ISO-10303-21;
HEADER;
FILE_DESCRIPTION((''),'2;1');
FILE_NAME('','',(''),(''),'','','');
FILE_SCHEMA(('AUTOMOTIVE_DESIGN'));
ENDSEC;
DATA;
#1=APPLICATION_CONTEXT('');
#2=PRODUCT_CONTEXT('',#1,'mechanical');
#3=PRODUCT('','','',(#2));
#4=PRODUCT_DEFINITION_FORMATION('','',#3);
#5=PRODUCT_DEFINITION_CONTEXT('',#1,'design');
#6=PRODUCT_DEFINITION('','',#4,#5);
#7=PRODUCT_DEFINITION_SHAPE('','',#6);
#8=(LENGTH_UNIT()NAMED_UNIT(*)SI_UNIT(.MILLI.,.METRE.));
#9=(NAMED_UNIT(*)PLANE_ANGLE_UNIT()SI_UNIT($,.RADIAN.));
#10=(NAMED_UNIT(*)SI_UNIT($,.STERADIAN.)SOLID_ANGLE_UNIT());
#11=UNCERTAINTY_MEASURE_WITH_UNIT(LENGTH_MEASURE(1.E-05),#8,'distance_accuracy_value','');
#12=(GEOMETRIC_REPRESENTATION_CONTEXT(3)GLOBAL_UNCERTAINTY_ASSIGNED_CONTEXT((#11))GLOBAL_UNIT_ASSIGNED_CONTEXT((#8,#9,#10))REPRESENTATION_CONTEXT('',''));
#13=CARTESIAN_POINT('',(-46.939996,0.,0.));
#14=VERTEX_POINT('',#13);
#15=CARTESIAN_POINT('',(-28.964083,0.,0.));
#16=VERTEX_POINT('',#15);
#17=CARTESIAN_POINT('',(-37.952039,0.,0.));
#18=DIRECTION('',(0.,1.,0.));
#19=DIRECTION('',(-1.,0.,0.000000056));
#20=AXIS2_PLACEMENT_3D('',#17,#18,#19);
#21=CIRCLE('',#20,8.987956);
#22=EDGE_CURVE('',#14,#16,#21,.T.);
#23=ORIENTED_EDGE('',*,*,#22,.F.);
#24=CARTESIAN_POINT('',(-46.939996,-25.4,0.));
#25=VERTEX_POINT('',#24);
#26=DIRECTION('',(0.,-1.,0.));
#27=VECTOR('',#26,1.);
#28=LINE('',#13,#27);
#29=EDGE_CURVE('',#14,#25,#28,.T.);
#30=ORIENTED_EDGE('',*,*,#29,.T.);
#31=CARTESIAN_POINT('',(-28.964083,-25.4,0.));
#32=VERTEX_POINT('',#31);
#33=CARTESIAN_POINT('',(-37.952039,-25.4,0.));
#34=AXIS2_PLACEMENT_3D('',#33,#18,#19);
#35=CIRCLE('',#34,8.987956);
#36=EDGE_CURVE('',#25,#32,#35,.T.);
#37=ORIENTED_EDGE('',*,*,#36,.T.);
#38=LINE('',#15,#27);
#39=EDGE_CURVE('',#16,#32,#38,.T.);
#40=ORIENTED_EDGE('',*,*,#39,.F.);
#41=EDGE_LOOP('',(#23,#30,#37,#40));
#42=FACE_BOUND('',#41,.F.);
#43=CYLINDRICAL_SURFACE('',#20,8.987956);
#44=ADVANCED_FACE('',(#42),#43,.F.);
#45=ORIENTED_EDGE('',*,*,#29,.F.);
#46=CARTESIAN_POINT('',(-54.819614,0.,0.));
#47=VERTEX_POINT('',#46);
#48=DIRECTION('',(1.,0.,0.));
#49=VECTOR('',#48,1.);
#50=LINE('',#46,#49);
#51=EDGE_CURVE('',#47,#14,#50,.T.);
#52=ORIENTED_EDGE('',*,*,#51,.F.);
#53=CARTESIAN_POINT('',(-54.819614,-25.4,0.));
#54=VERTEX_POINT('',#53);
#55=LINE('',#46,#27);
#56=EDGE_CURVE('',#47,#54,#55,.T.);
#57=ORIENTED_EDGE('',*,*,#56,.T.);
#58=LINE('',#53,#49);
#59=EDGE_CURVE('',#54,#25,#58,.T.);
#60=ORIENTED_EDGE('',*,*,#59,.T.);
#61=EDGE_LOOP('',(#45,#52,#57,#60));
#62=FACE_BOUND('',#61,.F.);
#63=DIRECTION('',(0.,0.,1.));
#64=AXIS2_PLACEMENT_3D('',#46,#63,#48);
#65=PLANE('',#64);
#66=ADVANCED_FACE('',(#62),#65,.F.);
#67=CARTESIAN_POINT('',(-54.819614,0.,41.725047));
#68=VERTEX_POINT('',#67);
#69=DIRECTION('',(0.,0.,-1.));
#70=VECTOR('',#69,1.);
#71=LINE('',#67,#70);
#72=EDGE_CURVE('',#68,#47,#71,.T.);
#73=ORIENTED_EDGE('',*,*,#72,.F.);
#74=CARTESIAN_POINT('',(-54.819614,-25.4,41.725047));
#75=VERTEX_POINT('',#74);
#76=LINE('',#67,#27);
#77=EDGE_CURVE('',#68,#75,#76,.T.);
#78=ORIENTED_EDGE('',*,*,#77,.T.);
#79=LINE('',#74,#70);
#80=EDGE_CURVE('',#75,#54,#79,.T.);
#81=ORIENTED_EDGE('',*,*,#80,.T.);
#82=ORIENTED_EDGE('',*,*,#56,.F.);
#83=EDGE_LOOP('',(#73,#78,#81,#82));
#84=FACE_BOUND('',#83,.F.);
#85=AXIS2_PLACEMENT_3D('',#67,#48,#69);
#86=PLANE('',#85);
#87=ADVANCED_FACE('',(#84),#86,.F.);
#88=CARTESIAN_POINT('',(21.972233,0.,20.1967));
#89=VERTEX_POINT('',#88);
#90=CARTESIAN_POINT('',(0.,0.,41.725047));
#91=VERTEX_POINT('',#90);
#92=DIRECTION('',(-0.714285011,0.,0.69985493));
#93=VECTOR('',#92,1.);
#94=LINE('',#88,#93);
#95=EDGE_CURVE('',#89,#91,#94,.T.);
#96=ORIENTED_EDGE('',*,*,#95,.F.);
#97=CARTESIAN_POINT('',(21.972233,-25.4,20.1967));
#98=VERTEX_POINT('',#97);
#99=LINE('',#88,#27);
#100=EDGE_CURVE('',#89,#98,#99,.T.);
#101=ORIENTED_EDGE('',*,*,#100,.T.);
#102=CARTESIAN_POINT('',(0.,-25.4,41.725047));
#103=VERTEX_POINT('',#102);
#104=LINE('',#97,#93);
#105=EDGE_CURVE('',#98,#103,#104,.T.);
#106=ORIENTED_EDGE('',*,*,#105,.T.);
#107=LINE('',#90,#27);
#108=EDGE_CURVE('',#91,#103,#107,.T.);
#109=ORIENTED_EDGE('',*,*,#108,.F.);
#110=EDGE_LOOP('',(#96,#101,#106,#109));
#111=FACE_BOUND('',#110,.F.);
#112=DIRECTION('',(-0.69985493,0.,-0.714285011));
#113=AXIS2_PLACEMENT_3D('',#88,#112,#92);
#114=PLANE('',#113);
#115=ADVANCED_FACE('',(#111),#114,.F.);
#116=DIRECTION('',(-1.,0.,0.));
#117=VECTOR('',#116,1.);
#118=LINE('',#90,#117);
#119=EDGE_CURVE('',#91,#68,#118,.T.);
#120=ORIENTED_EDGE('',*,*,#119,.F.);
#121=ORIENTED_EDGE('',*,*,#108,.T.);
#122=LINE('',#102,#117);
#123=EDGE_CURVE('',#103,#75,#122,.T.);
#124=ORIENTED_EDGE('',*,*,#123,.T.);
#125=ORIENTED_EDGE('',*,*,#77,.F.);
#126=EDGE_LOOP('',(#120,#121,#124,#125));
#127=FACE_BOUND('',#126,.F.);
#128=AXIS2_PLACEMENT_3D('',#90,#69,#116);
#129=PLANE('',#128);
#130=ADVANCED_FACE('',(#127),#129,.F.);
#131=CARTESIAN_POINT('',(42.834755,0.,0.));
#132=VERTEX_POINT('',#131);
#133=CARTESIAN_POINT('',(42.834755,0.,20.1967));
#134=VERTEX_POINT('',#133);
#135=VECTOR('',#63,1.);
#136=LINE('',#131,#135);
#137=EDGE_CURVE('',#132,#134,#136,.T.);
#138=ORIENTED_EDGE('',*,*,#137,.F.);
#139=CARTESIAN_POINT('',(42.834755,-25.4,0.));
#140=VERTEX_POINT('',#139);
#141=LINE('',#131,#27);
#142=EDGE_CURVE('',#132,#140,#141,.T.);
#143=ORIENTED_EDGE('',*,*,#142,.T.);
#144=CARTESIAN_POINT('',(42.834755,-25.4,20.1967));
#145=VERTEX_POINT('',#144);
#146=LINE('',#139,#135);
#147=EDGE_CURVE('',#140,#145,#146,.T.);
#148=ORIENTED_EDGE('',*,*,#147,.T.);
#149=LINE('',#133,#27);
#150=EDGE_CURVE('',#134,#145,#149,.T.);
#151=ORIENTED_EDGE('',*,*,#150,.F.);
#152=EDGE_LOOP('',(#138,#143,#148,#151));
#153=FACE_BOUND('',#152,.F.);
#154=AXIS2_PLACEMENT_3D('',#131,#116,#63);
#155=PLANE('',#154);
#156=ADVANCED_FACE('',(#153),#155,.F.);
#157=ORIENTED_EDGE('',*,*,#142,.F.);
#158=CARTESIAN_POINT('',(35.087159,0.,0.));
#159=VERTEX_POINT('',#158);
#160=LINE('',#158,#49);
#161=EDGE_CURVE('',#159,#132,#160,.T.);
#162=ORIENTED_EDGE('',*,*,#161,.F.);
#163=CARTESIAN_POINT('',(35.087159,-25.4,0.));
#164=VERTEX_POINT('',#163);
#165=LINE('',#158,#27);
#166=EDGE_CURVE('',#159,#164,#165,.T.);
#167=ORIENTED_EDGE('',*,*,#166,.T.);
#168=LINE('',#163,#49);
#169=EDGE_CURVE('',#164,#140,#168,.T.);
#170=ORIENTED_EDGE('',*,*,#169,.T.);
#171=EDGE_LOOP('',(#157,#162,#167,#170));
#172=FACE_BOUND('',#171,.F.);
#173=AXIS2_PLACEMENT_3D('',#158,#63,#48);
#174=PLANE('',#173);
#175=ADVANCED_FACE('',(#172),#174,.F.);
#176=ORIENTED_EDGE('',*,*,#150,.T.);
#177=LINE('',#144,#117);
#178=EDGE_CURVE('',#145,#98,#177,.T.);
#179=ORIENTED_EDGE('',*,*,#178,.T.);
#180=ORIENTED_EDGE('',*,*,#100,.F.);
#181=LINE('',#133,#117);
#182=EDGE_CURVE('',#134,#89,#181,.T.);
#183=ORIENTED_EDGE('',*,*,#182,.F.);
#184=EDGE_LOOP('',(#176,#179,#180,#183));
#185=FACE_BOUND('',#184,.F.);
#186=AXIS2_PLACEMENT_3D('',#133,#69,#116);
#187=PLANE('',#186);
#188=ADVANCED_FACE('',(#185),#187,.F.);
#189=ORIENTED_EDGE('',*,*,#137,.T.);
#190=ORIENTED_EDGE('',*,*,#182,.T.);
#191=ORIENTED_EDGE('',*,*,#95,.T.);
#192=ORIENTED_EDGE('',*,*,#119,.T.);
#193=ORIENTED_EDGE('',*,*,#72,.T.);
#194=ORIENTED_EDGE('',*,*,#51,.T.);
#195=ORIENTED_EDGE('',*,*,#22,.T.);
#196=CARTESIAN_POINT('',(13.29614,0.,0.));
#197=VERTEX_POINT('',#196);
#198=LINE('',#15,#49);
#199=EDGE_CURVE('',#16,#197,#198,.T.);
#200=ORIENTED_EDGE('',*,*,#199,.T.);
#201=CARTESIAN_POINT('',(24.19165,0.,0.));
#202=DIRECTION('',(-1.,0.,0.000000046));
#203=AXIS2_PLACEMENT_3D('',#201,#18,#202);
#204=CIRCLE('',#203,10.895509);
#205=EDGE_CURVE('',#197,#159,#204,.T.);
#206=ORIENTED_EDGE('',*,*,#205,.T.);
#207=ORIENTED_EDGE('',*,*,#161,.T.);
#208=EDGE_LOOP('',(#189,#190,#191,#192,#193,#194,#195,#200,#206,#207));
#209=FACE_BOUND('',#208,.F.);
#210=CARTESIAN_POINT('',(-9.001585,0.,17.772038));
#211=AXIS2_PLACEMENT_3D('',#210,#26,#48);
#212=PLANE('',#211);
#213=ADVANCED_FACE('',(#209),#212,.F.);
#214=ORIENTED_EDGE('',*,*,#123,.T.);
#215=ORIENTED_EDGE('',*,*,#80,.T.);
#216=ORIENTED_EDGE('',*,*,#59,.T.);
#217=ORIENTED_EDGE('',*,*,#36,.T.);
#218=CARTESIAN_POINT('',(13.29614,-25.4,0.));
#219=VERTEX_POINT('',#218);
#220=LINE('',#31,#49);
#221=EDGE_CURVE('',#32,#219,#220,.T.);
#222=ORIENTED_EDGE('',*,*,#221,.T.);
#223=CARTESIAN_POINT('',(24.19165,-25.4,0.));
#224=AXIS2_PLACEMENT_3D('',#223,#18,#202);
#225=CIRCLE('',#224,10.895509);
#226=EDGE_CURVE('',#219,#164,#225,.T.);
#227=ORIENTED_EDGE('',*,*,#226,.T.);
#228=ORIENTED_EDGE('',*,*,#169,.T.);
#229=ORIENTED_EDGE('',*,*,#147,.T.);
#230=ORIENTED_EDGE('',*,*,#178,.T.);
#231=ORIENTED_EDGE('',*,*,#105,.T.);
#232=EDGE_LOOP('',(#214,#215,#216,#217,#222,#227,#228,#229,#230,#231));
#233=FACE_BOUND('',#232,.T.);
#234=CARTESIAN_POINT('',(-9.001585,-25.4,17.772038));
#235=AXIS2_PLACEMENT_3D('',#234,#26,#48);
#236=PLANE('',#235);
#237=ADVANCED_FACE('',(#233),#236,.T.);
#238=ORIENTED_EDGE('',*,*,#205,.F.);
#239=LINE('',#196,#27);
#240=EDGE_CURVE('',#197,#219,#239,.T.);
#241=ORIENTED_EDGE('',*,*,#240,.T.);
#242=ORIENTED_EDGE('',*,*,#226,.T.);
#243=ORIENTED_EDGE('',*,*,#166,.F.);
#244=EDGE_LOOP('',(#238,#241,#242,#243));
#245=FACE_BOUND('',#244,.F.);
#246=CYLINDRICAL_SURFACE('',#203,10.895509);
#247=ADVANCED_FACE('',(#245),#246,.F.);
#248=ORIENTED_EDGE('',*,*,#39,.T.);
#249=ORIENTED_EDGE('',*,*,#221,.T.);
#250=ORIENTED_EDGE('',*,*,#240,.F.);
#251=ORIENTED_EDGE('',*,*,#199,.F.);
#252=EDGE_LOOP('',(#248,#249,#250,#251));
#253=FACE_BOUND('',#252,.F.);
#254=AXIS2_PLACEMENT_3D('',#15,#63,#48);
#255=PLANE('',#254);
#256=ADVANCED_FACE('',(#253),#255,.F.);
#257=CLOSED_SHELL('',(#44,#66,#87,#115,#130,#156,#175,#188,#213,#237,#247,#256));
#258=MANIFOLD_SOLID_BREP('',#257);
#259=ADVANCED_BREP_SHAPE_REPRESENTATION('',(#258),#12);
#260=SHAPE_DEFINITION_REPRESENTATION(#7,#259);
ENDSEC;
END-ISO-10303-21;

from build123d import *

# Parameters (mm, degrees)
F1_DEPTH = 25.4


with BuildPart() as f1:
    # F0 (on Front) → F1 (new body)
    with BuildSketch(Plane.XZ):
        with BuildLine():
            Line((-28.964083, 0), (0, 0))
            Line((0, 0), (13.29614, 0))
            ThreePointArc((13.29614, 0), (24.19165, 10.895509), (35.087159, 0))
            Line((35.087159, 0), (42.834755, 0))
            Line((42.834755, 0), (42.834755, 20.1967))
            Line((42.834755, 20.1967), (21.972233, 20.1967))
            Line((21.972233, 20.1967), (0, 41.725047))
            Line((0, 41.725047), (-54.819614, 41.725047))
            Line((-54.819614, 41.725047), (-54.819614, 0))
            Line((-54.819614, 0), (-46.939996, 0))
            ThreePointArc((-46.939996, 0), (-37.952039, 8.987956), (-28.964083, 0))
        make_face()
    extrude(amount=F1_DEPTH)


solid = f1.part
